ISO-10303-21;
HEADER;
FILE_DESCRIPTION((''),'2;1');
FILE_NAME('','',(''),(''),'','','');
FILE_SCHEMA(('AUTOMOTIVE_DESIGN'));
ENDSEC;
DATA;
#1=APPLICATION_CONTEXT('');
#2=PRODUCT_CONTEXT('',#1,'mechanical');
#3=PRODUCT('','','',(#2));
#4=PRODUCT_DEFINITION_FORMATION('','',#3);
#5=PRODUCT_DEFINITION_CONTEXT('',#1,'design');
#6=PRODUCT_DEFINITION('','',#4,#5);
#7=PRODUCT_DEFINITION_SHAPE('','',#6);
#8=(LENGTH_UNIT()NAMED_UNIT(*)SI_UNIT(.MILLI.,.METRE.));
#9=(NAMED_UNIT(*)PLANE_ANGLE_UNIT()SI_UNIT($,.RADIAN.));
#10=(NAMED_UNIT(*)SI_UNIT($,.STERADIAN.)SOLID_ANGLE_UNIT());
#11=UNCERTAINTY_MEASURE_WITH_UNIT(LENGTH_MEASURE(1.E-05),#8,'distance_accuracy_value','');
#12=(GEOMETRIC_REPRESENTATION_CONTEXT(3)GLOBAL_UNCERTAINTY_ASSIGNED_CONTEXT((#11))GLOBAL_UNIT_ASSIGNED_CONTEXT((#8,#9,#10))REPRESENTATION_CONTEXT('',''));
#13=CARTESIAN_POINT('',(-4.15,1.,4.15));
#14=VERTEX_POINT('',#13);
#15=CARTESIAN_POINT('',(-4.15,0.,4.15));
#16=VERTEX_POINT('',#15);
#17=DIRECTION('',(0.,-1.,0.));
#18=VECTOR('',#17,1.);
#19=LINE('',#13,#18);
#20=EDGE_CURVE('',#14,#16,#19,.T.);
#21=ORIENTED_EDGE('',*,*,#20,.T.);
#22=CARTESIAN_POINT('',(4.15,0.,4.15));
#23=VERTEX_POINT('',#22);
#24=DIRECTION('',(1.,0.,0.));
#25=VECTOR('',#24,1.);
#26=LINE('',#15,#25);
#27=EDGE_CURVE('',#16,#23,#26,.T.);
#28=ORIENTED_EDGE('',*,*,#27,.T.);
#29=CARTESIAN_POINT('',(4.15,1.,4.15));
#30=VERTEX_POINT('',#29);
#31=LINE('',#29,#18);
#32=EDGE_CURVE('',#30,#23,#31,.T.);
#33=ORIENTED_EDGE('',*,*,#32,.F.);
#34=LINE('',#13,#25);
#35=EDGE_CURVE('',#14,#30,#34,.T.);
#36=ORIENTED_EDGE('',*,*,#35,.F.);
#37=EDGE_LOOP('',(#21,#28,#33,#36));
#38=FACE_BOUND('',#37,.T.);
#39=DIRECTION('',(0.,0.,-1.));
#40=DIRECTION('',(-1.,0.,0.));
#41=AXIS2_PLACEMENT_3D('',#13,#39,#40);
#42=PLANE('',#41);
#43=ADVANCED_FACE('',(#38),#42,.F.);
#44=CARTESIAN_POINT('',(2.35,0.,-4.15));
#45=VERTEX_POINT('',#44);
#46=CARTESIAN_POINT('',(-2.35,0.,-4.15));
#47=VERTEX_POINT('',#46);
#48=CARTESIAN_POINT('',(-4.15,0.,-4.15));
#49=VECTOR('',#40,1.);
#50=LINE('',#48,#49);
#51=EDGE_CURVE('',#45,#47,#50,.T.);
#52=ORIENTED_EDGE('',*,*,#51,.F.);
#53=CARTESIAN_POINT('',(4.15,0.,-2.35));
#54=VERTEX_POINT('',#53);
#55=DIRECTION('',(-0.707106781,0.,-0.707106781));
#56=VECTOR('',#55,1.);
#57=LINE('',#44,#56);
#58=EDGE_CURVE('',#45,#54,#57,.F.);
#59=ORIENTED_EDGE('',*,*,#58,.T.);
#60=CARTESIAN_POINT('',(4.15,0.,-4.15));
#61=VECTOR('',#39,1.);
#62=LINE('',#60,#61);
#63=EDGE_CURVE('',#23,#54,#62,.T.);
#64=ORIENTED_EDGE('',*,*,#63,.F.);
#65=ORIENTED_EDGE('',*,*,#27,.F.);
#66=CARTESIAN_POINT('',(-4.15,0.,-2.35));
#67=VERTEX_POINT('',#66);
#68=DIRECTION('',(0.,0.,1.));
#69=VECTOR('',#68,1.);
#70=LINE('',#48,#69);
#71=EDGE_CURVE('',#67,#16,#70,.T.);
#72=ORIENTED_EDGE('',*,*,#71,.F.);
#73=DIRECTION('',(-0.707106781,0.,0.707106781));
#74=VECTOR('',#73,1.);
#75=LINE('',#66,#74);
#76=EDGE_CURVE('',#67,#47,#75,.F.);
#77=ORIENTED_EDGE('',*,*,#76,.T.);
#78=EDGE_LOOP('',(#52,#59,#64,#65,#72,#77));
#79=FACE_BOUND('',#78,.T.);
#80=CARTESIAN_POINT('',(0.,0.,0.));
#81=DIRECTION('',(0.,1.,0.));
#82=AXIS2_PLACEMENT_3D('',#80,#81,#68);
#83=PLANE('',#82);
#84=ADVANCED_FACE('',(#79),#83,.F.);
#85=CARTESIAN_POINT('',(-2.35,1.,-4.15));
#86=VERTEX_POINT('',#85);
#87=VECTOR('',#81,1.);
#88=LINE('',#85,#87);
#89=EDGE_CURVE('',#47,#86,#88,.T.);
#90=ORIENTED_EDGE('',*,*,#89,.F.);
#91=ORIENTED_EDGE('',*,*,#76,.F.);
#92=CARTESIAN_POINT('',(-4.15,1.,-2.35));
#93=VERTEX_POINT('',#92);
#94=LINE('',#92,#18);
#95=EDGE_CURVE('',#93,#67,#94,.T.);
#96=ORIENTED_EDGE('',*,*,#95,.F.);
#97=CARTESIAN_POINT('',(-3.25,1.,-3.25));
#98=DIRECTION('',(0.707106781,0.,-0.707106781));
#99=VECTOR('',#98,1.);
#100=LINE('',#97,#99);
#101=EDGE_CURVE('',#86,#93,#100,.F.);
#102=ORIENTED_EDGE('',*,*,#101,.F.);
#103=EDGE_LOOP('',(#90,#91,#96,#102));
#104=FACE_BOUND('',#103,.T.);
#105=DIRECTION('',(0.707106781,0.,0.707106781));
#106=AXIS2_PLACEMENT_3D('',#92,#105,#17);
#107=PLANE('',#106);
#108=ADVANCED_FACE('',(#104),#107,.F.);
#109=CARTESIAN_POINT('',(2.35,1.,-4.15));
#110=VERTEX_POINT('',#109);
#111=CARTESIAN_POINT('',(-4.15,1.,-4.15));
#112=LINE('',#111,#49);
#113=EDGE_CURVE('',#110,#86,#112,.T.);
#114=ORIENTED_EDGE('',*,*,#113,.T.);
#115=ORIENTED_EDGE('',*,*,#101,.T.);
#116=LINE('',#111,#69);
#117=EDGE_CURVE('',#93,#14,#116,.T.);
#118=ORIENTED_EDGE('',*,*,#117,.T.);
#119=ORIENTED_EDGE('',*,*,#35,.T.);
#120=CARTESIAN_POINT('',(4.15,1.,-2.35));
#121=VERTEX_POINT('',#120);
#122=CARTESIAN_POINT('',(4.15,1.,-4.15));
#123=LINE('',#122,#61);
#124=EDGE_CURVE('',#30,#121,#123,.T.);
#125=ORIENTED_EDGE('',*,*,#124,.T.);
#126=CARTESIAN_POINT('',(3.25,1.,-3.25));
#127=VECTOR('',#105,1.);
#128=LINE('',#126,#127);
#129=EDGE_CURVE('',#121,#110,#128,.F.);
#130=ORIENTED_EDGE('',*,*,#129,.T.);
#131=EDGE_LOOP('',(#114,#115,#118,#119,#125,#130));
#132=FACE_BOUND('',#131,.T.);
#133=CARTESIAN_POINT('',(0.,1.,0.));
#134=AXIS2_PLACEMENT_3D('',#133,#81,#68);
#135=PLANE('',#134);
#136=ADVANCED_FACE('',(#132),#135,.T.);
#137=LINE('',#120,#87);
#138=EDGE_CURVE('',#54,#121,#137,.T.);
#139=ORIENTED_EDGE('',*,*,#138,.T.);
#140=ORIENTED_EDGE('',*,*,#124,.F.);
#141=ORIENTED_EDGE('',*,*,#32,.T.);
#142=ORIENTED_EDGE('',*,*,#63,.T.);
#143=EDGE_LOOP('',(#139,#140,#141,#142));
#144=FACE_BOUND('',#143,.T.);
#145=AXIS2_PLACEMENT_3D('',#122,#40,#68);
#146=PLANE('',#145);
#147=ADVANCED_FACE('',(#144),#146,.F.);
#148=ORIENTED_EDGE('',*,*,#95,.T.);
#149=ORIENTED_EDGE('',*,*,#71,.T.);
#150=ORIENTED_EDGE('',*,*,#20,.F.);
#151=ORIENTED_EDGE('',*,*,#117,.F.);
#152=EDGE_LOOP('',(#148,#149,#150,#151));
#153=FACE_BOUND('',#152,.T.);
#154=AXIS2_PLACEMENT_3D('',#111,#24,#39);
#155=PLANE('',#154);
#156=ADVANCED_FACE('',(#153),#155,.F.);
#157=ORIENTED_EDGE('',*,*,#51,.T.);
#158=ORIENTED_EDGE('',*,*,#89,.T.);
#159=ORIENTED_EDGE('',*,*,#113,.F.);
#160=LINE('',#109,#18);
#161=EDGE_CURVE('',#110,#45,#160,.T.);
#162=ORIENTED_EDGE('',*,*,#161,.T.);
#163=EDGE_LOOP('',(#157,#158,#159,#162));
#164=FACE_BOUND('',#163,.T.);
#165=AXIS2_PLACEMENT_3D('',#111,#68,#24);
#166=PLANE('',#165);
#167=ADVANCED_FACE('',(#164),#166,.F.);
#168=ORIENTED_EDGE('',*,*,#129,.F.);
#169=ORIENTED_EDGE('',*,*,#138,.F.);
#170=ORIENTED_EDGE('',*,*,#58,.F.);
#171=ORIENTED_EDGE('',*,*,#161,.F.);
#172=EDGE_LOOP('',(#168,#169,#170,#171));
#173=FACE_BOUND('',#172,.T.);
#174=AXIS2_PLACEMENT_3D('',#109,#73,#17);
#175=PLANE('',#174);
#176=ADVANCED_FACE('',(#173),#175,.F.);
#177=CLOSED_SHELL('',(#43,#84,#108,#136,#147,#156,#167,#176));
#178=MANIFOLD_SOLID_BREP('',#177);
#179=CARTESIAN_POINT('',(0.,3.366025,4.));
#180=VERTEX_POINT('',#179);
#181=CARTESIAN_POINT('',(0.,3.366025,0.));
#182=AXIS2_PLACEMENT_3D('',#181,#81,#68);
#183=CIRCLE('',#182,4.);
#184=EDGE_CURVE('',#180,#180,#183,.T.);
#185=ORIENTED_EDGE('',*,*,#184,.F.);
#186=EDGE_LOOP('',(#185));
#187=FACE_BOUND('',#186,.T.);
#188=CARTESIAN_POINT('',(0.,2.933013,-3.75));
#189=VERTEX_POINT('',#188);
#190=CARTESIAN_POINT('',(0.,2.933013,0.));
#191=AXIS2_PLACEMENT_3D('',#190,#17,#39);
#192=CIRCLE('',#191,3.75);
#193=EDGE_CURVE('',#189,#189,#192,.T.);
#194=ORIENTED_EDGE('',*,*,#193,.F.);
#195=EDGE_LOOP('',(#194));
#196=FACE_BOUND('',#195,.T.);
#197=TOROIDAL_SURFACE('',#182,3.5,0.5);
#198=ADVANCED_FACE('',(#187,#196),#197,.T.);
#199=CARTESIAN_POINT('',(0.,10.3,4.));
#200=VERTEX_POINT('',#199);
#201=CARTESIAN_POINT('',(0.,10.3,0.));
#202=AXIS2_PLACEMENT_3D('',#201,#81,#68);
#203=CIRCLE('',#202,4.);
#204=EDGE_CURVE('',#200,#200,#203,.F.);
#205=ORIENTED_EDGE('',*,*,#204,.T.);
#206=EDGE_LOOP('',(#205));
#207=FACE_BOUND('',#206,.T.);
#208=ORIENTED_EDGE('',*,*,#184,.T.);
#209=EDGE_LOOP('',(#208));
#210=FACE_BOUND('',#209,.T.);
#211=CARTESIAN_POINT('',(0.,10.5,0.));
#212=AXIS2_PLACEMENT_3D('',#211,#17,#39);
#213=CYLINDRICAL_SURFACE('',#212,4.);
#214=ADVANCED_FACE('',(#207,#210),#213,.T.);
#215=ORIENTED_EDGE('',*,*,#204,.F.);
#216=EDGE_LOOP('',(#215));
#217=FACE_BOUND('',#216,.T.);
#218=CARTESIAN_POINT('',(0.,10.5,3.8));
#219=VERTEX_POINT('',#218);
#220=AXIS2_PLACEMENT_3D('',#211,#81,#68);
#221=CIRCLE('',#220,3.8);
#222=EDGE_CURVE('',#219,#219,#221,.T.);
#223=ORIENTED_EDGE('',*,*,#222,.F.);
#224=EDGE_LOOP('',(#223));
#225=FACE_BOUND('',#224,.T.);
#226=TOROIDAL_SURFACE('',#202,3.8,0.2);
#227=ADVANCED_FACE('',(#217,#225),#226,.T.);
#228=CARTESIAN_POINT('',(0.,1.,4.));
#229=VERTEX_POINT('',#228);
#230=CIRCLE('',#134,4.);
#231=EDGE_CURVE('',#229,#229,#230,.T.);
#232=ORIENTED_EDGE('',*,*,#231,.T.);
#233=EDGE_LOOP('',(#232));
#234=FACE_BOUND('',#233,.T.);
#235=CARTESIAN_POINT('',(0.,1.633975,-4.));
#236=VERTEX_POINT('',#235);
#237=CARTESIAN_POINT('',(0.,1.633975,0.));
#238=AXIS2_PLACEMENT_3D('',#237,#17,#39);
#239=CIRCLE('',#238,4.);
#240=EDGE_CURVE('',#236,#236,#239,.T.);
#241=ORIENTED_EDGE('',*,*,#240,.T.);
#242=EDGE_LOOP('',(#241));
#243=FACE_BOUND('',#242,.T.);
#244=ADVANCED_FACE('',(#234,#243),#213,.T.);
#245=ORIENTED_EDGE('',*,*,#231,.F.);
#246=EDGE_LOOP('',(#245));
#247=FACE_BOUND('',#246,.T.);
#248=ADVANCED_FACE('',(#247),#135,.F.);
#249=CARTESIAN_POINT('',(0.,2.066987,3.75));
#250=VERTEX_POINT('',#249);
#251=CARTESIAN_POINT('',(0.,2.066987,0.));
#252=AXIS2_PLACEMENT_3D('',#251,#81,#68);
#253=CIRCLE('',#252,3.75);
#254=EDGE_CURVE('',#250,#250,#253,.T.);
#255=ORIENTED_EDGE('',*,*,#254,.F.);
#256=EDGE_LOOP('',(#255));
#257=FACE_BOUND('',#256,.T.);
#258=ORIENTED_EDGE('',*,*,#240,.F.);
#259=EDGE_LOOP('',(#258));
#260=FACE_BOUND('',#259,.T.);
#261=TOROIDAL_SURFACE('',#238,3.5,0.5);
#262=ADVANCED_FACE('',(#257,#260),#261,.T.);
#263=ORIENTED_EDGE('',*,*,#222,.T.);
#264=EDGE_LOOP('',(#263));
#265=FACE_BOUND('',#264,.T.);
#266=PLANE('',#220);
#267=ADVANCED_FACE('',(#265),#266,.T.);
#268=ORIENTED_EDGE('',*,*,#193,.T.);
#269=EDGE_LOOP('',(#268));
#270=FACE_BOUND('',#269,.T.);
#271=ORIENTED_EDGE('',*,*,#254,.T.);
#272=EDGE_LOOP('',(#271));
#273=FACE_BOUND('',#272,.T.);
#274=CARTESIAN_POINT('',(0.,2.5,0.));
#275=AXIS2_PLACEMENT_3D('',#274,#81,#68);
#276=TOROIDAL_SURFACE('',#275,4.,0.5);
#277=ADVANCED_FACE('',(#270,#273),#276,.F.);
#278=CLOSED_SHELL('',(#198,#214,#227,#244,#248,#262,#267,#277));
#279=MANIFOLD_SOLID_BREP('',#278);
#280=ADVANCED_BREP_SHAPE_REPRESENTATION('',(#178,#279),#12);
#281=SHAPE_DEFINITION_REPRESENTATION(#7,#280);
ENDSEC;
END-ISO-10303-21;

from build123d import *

# Parameters (mm, degrees)
SKETCH1_W           = 8.3
SKETCH1_H           = 8.3
BOSS_EXTRUDE1_DEPTH = 1
SKETCH2_R           = 4
BOSS_EXTRUDE2_DEPTH = 9.5
SKETCH3_R           = 0.5
FILLET1_R           = 0.5
FILLET2_R           = 0.2
CHAMFER1_SIZE       = 1.8


with BuildPart() as part:
    # Sketch1 → Boss-Extrude1 (new body)
    with BuildSketch(Plane(origin=(0, 0, 0), x_dir=(1, 0, 0), z_dir=(0, 1, 0))):
        Rectangle(SKETCH1_W, SKETCH1_H)
    extrude(amount=BOSS_EXTRUDE1_DEPTH)

    # Chamfer1
    chamfer1_edges = [part.edges().sort_by_distance(p)[0] for p in [
        (-4.15, 0.5, -4.15),
        (4.15, 0.5, -4.15),
    ]]
    chamfer(chamfer1_edges, length=CHAMFER1_SIZE)


with BuildPart() as body_2:
    # Sketch2 → Boss-Extrude2 (new body)
    with BuildSketch(Plane(origin=(0, 1, 0), x_dir=(1, 0, 0), z_dir=(0, 1, 0))):
        Circle(SKETCH2_R)
    extrude(amount=BOSS_EXTRUDE2_DEPTH)

    # Sketch3 → Cut-Revolve1 (revolve, cut)
    with BuildSketch(Plane.XY):
        with Locations((4, 2.5)):
            Circle(SKETCH3_R)
    revolve(axis=Axis((0, 10.5, 0), (0, -1, 0)), mode=Mode.SUBTRACT)

    # Fillet1
    fillet1_edges = [body_2.edges().sort_by_distance(p)[0] for p in [
        (-4, 3, 0),
        (-4, 2, 0),
    ]]
    fillet(fillet1_edges, radius=FILLET1_R)

    # Fillet2
    fillet2_edges = [body_2.edges().sort_by_distance(p)[0] for p in [
        (-4, 10.5, 0),
    ]]
    fillet(fillet2_edges, radius=FILLET2_R)


solid = Compound([part.part, body_2.part])
